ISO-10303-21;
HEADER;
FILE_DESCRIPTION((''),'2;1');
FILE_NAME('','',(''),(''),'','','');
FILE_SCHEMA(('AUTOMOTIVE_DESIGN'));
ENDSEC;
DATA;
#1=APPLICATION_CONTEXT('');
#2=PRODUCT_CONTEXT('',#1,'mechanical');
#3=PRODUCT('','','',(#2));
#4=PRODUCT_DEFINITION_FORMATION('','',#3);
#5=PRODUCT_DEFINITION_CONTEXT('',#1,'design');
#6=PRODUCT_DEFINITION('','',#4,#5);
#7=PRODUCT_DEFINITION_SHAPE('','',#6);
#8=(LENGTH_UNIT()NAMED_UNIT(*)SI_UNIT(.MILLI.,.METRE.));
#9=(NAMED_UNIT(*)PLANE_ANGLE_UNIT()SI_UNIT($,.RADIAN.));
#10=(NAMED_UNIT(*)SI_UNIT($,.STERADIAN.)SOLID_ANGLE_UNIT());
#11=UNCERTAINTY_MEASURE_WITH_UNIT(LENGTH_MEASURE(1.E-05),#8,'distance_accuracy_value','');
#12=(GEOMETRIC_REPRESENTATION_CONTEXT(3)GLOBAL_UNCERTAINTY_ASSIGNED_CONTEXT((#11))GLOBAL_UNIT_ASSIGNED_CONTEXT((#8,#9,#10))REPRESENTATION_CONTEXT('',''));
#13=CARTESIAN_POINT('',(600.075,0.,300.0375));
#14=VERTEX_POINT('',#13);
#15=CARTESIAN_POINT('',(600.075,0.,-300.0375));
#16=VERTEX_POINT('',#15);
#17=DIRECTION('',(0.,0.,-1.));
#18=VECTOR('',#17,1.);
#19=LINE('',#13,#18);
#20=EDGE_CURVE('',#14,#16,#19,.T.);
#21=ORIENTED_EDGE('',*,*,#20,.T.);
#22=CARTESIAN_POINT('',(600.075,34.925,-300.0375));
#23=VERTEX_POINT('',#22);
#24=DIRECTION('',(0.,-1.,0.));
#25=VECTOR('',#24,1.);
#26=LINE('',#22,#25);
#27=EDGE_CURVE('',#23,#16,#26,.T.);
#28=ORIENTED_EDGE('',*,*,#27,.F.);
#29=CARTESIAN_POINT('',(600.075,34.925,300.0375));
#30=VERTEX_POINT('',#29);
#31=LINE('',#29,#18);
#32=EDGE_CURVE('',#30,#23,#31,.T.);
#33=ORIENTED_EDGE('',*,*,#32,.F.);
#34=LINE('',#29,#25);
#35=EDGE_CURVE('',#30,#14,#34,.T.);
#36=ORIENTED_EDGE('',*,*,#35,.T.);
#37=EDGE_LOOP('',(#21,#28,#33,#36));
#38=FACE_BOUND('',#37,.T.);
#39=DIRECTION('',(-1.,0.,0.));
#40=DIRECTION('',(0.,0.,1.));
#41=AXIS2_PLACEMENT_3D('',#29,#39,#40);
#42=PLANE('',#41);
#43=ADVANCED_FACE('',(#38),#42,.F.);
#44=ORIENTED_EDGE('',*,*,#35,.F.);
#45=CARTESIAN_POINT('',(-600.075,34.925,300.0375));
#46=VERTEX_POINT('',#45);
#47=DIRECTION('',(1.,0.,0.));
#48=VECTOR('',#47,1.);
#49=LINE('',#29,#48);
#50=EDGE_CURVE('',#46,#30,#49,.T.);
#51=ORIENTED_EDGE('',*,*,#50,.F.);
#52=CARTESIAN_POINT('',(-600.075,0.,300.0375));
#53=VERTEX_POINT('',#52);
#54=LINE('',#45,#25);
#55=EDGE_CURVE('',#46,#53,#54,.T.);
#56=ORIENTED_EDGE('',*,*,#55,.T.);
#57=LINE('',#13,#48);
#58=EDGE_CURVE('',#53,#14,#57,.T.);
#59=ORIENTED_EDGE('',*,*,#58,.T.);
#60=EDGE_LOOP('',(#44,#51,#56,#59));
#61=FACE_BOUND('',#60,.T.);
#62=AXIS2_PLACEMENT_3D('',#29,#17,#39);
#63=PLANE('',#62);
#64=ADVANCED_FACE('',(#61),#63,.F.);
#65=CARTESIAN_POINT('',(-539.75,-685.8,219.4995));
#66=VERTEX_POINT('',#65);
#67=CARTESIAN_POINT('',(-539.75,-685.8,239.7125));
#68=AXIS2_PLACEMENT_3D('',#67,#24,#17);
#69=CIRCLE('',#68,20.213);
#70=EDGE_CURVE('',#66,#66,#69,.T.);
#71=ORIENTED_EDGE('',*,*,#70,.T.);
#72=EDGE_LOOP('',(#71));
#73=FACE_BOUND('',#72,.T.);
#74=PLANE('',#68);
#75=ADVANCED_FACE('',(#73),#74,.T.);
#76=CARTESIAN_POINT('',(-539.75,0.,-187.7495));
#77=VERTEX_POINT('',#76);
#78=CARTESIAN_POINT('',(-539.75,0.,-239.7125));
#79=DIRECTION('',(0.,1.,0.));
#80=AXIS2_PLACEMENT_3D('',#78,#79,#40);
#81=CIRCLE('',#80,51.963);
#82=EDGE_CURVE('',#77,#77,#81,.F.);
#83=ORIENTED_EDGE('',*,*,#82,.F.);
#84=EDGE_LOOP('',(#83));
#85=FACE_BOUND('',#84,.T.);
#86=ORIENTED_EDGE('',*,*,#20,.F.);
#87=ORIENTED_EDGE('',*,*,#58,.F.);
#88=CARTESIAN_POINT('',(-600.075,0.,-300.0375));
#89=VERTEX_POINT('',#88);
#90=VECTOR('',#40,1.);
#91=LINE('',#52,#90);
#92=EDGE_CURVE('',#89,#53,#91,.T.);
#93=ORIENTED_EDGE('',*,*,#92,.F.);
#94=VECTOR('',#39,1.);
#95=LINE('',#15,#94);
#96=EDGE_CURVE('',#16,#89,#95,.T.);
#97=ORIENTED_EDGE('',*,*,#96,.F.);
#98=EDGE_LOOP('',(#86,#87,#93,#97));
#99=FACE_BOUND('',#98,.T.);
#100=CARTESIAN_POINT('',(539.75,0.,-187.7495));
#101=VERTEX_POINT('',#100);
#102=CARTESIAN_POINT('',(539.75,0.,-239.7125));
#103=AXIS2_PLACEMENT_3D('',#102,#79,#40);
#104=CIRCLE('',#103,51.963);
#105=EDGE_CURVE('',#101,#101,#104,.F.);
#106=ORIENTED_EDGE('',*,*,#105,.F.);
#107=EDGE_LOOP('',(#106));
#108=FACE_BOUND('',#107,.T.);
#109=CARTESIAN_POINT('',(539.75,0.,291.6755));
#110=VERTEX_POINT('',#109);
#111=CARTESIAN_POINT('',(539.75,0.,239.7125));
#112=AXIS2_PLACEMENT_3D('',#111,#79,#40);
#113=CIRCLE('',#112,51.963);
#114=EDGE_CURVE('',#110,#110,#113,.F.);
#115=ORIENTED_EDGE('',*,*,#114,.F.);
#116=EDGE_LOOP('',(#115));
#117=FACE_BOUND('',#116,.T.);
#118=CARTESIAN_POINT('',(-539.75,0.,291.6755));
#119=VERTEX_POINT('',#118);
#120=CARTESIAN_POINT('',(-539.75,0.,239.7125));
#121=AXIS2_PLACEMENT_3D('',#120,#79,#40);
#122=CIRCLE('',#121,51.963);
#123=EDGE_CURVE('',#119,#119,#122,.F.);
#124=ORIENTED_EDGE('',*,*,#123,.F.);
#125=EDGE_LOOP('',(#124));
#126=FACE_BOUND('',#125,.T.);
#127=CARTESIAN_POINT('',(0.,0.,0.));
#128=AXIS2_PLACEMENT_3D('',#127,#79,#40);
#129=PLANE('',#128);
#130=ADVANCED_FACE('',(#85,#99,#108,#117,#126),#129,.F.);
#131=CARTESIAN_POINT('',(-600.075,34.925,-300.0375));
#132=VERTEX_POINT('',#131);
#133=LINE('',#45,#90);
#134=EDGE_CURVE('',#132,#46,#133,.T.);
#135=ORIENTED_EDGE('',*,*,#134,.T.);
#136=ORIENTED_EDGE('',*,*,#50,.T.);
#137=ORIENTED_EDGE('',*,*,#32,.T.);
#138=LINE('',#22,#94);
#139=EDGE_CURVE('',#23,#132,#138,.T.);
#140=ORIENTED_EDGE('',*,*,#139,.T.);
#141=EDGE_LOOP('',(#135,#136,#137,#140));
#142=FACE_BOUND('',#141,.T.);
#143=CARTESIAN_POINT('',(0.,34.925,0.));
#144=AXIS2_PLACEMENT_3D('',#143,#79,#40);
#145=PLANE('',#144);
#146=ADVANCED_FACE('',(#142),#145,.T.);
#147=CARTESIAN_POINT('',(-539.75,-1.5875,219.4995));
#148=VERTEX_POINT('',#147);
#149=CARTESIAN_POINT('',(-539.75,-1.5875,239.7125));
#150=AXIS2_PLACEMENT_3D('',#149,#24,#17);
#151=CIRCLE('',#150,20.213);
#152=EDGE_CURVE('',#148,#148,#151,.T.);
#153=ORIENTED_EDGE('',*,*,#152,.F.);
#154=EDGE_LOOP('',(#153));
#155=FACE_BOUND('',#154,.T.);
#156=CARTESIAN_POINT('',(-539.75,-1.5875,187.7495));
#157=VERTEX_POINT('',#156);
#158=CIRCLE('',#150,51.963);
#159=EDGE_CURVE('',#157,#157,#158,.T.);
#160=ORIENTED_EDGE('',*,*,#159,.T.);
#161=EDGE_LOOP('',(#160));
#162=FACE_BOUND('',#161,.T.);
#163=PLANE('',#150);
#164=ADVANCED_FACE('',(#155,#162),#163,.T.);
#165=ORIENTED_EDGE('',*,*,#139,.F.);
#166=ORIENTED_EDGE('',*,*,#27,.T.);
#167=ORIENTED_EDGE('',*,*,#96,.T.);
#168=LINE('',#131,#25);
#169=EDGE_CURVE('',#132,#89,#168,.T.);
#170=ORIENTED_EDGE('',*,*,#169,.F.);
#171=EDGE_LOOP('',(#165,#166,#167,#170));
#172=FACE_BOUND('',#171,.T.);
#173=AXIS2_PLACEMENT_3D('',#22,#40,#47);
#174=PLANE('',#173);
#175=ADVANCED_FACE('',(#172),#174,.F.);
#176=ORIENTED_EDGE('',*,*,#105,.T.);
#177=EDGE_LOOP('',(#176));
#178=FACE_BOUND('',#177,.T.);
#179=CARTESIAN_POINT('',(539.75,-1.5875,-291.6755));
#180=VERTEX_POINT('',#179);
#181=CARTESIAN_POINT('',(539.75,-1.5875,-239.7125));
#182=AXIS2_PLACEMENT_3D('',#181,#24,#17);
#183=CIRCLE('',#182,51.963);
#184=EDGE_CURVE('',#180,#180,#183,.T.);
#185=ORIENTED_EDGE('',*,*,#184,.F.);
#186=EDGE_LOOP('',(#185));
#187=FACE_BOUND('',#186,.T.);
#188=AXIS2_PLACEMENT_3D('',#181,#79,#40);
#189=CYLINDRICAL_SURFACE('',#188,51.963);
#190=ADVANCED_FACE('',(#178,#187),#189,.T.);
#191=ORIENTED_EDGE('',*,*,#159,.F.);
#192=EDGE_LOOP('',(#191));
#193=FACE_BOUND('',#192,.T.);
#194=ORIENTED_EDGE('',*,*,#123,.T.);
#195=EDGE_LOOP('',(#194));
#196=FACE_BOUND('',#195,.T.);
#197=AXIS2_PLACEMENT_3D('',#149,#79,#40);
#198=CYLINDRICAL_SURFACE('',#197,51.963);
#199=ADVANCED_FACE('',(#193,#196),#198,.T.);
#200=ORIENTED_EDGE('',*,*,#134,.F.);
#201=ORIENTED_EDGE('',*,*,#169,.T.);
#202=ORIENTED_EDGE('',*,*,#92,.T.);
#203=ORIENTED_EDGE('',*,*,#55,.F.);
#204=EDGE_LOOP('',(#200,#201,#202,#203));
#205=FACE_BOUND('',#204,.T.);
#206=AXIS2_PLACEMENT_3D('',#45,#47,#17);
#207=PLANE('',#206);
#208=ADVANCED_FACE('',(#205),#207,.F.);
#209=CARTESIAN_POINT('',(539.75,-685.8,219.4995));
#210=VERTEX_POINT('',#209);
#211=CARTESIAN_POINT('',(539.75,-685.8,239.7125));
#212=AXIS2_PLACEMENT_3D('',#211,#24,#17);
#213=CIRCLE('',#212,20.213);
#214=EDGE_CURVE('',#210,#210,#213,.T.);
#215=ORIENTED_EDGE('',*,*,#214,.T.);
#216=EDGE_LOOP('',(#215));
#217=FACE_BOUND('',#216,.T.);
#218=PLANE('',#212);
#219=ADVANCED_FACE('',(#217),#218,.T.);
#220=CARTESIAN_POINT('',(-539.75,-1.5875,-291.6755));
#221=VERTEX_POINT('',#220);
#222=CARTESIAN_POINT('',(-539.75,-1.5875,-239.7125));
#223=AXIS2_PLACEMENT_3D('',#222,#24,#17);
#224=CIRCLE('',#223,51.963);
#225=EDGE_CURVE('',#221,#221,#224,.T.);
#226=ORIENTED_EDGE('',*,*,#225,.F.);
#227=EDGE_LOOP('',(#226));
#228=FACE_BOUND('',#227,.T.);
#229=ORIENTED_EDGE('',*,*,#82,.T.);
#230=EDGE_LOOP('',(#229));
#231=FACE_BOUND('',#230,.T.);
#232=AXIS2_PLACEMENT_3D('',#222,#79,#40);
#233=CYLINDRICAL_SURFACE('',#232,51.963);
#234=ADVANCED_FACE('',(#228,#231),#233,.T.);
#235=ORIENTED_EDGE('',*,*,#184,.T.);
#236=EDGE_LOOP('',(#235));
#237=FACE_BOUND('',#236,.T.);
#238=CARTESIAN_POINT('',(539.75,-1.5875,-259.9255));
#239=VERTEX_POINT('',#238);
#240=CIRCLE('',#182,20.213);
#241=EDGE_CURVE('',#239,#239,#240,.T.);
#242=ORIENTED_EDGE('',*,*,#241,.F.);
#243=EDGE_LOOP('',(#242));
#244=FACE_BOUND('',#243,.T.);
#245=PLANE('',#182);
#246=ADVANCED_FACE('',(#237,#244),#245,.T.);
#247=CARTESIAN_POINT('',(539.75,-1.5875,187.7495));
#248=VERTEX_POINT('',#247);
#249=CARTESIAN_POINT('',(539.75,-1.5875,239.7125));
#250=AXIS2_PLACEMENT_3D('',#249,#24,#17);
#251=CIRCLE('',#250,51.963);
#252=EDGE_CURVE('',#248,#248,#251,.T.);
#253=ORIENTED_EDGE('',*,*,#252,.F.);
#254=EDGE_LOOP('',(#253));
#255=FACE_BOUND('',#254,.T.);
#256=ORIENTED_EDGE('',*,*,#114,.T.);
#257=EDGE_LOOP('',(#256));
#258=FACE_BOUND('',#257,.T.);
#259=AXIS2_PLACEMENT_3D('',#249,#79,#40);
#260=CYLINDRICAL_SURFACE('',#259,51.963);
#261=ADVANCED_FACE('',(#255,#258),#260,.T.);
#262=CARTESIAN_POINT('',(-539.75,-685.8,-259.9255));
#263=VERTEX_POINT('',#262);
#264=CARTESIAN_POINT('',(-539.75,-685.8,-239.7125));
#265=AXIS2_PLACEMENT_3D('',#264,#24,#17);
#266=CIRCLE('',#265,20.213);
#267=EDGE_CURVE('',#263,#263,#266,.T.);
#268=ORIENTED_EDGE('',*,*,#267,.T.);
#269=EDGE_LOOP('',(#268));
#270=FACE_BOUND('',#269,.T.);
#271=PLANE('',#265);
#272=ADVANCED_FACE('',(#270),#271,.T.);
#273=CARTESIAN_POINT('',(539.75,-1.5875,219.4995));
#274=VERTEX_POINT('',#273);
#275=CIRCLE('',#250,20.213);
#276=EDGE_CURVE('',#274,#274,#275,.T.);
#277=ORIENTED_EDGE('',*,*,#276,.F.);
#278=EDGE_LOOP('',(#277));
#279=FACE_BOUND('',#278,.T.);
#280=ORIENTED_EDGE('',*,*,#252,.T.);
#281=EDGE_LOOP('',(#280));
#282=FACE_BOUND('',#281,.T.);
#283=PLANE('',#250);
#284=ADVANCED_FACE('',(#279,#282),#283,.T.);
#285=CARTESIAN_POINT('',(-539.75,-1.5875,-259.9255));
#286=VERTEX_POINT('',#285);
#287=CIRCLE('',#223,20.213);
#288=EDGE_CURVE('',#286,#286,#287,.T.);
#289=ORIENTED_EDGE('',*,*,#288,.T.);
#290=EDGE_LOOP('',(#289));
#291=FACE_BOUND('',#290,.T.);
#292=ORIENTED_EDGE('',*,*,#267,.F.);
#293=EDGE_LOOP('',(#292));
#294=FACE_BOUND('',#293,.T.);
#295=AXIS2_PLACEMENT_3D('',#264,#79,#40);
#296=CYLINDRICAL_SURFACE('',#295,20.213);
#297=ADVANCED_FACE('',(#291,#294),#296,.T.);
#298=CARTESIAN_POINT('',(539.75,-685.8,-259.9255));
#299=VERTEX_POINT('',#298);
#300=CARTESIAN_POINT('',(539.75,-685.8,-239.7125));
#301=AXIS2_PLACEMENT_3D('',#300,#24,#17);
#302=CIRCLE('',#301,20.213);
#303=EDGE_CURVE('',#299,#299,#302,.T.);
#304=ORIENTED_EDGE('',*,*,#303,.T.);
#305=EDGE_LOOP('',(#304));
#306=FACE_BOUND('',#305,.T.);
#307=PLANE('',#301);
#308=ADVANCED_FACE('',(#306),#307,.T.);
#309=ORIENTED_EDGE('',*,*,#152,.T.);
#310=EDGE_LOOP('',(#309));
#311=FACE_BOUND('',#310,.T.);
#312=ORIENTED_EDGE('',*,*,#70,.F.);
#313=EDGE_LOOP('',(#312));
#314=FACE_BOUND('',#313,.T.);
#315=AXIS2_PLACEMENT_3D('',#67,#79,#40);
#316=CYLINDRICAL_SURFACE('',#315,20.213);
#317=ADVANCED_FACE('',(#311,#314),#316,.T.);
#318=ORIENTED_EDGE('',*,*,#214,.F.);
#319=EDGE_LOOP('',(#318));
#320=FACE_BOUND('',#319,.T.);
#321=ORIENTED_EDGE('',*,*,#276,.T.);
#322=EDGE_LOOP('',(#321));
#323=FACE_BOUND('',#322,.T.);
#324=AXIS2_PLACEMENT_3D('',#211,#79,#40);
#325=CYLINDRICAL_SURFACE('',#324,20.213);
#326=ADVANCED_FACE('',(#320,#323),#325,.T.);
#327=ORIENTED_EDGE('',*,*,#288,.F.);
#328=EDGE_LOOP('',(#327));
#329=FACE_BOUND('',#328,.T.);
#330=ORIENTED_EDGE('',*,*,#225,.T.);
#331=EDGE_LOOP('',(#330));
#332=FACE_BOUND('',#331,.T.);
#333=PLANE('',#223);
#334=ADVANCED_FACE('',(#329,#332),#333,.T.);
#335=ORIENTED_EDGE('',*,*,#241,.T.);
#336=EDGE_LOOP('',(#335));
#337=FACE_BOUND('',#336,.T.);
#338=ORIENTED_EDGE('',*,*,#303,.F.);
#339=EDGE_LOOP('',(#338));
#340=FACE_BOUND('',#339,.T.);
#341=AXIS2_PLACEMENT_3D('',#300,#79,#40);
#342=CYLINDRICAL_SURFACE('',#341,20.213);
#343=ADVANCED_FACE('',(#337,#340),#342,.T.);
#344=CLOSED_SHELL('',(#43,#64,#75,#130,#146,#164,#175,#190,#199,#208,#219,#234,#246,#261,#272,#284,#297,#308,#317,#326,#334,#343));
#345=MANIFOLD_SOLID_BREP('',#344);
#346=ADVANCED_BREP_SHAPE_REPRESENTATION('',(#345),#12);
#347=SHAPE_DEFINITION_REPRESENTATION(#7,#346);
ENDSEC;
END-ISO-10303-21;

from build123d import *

# Parameters (mm, degrees)
SKETCH1_W           = 1200.15
SKETCH1_H           = 600.075
BOSS_EXTRUDE1_DEPTH = 34.925
SKETCH2_R           = 20.213000011
BOSS_EXTRUDE2_DEPTH = 685.8
SKETCH3_R           = 51.963000011
BOSS_EXTRUDE3_DEPTH = 1.5875


with BuildPart() as part:
    # Sketch1 → Boss-Extrude1 (new body)
    with BuildSketch(Plane(origin=(0, 0, 0), x_dir=(1, 0, 0), z_dir=(0, 1, 0))):
        Rectangle(SKETCH1_W, SKETCH1_H)
    extrude(amount=BOSS_EXTRUDE1_DEPTH)

    # Sketch2 → Boss-Extrude2 (add)
    with BuildSketch(Plane.XZ):
        with Locations((-539.75, 239.7125)):
            Circle(SKETCH2_R)
        with Locations((539.75, 239.7125)):
            Circle(SKETCH2_R)
        with Locations((-539.75, -239.7125)):
            Circle(SKETCH2_R)
        with Locations((539.75, -239.7125)):
            Circle(SKETCH2_R)
    extrude(amount=BOSS_EXTRUDE2_DEPTH)

    # Sketch3 → Boss-Extrude3 (add)
    with BuildSketch(Plane.XZ):
        with Locations((-539.75, 239.7125)):
            Circle(SKETCH3_R)
        with Locations((539.75, 239.7125)):
            Circle(SKETCH3_R)
        with Locations((539.75, -239.7125)):
            Circle(SKETCH3_R)
        with Locations((-539.75, -239.7125)):
            Circle(SKETCH3_R)
    extrude(amount=BOSS_EXTRUDE3_DEPTH)


solid = part.part
